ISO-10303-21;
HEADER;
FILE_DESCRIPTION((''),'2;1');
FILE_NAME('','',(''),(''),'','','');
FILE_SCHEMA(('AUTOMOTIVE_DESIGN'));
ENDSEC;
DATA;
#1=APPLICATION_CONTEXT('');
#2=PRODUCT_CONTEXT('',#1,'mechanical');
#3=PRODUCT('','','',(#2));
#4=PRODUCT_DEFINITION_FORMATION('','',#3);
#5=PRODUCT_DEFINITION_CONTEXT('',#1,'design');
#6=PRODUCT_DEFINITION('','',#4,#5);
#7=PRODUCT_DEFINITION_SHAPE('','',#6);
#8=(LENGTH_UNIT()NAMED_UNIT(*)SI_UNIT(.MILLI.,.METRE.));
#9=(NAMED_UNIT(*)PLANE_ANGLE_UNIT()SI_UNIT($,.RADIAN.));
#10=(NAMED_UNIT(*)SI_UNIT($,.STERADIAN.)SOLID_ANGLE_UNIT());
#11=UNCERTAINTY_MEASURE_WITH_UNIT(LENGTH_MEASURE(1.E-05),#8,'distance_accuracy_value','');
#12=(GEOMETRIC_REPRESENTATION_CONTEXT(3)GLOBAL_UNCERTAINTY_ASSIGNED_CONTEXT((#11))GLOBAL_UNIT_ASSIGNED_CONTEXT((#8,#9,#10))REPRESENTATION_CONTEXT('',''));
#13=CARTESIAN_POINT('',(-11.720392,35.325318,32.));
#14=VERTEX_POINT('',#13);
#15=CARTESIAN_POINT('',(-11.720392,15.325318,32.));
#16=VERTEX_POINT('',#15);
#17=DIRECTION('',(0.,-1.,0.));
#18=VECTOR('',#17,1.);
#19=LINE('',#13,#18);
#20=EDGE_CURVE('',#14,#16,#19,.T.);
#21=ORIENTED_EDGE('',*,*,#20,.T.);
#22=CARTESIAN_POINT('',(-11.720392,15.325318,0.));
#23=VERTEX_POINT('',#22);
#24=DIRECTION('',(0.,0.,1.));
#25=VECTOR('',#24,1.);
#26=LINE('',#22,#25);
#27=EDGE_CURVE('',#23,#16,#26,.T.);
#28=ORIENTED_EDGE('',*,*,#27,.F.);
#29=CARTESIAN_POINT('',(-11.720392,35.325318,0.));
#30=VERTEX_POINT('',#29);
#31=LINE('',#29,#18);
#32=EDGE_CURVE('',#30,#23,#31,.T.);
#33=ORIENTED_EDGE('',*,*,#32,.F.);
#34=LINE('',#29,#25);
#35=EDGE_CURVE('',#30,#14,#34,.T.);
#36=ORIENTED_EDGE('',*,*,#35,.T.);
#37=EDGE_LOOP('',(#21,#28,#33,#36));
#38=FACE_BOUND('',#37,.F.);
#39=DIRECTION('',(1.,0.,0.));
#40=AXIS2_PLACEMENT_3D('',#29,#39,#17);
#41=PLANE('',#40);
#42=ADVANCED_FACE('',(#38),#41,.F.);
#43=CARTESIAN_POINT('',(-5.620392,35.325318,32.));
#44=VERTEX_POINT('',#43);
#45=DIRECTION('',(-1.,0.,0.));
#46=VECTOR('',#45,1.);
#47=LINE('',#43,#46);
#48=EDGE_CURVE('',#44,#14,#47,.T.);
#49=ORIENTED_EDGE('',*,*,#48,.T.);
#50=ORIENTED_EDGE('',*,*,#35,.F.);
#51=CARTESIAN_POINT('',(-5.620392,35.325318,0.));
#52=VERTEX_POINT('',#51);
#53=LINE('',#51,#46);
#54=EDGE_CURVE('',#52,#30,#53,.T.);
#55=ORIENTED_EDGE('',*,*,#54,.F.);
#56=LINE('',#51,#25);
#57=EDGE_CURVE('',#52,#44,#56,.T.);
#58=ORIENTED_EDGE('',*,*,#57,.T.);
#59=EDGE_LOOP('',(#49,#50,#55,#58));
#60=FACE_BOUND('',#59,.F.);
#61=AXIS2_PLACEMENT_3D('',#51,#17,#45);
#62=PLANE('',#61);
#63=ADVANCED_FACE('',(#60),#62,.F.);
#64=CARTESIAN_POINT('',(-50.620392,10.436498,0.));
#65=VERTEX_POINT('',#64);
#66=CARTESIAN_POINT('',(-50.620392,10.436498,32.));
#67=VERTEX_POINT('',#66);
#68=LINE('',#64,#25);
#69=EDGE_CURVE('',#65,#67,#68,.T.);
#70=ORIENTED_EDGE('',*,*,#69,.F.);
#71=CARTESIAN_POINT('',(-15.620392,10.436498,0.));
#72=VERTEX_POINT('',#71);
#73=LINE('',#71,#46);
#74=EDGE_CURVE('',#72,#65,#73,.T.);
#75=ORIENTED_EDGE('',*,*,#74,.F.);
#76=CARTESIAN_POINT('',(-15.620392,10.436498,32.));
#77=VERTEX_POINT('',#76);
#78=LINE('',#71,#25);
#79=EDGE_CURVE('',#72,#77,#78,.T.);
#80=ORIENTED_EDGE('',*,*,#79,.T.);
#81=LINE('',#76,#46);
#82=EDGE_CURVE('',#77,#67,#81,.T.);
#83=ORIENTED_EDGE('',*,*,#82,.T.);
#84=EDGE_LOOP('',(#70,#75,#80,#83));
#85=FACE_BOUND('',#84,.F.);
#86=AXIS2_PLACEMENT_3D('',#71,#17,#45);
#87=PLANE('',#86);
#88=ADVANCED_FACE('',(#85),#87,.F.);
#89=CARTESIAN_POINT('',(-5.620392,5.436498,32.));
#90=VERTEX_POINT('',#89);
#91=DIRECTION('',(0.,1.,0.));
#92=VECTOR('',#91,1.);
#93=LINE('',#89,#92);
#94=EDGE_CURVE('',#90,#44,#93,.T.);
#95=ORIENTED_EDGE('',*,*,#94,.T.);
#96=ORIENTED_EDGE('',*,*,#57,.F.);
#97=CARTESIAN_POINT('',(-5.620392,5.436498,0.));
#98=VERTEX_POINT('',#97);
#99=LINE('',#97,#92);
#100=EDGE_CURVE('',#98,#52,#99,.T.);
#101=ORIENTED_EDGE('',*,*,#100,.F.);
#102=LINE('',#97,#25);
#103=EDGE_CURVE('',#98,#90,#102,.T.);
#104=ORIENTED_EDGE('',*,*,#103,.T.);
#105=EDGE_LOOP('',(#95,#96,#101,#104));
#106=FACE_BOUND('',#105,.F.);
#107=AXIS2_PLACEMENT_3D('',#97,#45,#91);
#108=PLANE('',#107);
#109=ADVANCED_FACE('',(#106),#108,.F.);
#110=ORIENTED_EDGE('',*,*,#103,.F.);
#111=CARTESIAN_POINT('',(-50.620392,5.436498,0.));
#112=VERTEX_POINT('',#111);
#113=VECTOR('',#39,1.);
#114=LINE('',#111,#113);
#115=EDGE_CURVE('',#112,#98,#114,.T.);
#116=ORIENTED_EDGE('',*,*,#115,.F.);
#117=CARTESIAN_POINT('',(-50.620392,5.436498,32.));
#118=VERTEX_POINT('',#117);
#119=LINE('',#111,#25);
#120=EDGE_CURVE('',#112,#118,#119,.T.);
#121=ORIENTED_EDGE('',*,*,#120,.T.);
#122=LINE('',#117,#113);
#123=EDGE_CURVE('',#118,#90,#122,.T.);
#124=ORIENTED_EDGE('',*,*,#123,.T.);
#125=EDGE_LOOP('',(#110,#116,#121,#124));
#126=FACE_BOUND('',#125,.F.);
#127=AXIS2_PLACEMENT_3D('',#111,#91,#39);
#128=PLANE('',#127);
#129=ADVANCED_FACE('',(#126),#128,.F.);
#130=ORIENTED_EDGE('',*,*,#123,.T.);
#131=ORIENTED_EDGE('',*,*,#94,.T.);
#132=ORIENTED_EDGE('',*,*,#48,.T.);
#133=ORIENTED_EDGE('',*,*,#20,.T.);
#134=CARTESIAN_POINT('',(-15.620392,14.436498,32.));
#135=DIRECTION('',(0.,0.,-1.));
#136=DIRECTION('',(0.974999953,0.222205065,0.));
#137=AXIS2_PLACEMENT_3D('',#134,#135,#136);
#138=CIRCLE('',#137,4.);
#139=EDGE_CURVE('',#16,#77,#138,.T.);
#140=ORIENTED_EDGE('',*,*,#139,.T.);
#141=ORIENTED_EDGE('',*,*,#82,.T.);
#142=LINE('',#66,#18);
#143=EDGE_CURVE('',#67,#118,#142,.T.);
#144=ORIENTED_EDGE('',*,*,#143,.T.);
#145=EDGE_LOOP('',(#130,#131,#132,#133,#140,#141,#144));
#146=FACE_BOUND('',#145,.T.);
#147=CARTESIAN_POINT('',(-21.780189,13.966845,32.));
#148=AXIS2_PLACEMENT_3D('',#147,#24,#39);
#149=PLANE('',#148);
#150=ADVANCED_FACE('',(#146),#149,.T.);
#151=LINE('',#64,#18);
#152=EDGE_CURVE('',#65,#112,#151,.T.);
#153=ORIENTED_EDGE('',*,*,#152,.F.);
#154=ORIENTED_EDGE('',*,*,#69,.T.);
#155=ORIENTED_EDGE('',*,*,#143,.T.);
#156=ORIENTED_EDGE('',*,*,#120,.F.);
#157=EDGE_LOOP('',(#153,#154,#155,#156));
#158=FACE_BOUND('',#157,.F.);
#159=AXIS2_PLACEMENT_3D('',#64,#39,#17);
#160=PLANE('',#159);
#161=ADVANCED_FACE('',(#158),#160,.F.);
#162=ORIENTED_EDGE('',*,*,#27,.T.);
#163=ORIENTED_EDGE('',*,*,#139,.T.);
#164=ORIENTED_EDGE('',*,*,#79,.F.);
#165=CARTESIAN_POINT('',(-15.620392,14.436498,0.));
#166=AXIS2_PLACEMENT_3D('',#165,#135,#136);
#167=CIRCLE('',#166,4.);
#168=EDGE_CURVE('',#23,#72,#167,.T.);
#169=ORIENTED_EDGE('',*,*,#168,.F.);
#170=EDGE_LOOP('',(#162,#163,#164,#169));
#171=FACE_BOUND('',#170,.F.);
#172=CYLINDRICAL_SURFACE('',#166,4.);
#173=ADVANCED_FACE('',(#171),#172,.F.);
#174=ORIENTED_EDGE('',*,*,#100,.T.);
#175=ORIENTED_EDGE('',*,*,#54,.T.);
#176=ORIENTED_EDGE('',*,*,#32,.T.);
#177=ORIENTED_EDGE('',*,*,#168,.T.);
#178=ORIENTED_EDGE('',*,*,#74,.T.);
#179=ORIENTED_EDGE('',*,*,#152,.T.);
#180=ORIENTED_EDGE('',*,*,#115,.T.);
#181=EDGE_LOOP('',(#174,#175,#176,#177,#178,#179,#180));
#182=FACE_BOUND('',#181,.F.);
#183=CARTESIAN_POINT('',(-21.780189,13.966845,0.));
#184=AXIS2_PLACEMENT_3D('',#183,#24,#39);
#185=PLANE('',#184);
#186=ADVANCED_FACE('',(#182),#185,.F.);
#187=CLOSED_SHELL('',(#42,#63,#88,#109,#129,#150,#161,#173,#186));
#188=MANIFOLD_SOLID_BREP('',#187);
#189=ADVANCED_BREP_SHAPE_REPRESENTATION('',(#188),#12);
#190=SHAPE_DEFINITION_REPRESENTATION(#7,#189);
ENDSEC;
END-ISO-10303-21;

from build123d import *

# Parameters (mm, degrees)
F1_DEPTH = 32


with BuildPart() as f1:
    # F0 (on Top) → F1 (new body)
    with BuildSketch(Plane.XY):
        with BuildLine():
            Line((-50.620392, 10.436498), (-50.620392, 5.436498))
            Line((-50.620392, 5.436498), (-5.620392, 5.436498))
            Line((-5.620392, 5.436498), (-5.620392, 10.436498))
            Line((-5.620392, 10.436498), (-5.620392, 35.325318))
            Line((-5.620392, 35.325318), (-11.720392, 35.325318))
            Line((-11.720392, 35.325318), (-11.720392, 15.325318))
            ThreePointArc((-11.720392, 15.325318), (-12.49347, 11.942032), (-15.620392, 10.436498))
            Line((-15.620392, 10.436498), (-50.620392, 10.436498))
        make_face()
    extrude(amount=F1_DEPTH)


solid = f1.part
